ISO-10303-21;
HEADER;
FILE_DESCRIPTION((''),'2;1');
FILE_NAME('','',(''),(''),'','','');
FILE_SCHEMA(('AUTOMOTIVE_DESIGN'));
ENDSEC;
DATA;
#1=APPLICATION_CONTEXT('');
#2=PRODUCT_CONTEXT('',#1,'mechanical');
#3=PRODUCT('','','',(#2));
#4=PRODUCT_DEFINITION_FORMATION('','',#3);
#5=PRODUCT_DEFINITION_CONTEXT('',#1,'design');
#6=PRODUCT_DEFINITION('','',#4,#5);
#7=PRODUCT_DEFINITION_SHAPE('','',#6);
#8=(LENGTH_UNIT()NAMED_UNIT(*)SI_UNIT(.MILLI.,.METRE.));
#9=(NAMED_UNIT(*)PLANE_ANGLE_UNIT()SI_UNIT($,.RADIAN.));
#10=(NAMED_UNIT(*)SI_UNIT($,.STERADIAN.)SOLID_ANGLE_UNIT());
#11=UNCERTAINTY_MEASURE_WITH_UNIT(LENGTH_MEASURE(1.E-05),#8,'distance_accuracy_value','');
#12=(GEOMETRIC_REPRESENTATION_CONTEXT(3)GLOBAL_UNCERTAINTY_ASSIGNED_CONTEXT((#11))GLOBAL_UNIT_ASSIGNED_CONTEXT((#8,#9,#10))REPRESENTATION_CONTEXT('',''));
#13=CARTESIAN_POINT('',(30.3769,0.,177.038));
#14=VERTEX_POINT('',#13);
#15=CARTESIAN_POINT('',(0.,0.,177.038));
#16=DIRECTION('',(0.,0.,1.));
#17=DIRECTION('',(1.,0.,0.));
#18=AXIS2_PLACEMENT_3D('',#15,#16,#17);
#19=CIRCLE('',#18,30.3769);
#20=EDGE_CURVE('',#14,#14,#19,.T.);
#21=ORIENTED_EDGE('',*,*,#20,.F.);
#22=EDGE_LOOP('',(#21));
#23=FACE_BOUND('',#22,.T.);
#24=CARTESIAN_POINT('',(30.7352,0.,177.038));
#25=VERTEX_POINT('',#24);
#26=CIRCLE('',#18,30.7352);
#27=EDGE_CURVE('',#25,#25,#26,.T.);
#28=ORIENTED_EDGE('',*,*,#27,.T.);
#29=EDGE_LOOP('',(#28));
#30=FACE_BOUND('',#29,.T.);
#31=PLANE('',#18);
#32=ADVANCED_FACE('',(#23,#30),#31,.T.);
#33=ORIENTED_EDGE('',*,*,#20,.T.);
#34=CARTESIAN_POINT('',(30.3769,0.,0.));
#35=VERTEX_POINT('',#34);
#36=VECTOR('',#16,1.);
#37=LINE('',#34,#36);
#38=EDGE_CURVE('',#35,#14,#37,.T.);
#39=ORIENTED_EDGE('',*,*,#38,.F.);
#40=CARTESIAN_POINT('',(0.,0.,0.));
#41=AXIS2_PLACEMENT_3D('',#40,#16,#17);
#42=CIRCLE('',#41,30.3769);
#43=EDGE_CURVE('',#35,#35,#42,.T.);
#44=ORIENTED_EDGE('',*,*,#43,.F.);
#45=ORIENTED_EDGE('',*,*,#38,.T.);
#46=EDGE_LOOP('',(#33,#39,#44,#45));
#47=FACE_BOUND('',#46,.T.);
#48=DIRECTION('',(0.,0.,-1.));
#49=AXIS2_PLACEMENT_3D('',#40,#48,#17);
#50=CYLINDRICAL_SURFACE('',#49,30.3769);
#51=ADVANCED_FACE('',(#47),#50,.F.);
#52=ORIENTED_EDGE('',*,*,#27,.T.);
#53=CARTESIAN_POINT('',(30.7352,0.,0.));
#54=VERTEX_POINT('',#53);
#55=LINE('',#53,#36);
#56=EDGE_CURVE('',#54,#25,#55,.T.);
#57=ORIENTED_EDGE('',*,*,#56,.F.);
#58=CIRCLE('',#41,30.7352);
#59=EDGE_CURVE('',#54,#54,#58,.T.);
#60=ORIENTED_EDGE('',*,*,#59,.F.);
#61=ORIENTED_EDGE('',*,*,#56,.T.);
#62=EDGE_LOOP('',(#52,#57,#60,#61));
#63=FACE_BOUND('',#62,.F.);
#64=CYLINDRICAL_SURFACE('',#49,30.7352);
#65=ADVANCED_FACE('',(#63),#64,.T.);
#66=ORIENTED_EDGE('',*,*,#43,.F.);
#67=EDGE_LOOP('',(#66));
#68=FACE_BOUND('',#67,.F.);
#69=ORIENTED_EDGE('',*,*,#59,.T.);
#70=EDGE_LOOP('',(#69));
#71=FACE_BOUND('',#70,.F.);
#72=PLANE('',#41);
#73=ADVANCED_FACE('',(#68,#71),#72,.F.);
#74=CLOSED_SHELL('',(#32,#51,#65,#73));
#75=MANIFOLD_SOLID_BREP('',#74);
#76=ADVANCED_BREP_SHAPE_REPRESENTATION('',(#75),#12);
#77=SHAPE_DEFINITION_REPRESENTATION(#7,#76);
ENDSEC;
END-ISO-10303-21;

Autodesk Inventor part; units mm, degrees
ref_plane "YZ Plane" through (0, 0, 0) normal (1, 0, 0) x (0, 1, 0)
ref_plane "XZ Plane" through (0, 0, 0) normal (0, 1, 0) x (-1, 0, 0)
ref_plane "XY Plane" through (0, 0, 0) normal (0, 0, 1) x (1, 0, 0)
sketch "Sketch1" plane through (0, 0, 0) normal (0, 0, 1) x (1, 0, 0)
  circle A0 centre (0, 0) radius 30.3769
  circle A1 centre (0, 0) radius 30.7352
extrude "Extrusion1" add sketch "Sketch1" along normal blind 177.038
equation "\"BendRadius\" = Thickness"
equation "\"BendReliefWidth\" = Thickness"
equation "\"BendReliefDepth\" = 0.5 * Thickness"
equation "\"CornerReliefSize\" = 4 * Thickness"
equation "\"MinimumRemnant\" = 2 * Thickness"
equation "\"TransitionRadius\" = BendRadius"
equation "\"JacobiRadiusSize\" = BendRadius"
equation "\"GapSize\" = Thickness"
equation "\"Thickness\" = 3.048"
properties part number "Middle Roller" material "Polycarbonate, Smoke"
